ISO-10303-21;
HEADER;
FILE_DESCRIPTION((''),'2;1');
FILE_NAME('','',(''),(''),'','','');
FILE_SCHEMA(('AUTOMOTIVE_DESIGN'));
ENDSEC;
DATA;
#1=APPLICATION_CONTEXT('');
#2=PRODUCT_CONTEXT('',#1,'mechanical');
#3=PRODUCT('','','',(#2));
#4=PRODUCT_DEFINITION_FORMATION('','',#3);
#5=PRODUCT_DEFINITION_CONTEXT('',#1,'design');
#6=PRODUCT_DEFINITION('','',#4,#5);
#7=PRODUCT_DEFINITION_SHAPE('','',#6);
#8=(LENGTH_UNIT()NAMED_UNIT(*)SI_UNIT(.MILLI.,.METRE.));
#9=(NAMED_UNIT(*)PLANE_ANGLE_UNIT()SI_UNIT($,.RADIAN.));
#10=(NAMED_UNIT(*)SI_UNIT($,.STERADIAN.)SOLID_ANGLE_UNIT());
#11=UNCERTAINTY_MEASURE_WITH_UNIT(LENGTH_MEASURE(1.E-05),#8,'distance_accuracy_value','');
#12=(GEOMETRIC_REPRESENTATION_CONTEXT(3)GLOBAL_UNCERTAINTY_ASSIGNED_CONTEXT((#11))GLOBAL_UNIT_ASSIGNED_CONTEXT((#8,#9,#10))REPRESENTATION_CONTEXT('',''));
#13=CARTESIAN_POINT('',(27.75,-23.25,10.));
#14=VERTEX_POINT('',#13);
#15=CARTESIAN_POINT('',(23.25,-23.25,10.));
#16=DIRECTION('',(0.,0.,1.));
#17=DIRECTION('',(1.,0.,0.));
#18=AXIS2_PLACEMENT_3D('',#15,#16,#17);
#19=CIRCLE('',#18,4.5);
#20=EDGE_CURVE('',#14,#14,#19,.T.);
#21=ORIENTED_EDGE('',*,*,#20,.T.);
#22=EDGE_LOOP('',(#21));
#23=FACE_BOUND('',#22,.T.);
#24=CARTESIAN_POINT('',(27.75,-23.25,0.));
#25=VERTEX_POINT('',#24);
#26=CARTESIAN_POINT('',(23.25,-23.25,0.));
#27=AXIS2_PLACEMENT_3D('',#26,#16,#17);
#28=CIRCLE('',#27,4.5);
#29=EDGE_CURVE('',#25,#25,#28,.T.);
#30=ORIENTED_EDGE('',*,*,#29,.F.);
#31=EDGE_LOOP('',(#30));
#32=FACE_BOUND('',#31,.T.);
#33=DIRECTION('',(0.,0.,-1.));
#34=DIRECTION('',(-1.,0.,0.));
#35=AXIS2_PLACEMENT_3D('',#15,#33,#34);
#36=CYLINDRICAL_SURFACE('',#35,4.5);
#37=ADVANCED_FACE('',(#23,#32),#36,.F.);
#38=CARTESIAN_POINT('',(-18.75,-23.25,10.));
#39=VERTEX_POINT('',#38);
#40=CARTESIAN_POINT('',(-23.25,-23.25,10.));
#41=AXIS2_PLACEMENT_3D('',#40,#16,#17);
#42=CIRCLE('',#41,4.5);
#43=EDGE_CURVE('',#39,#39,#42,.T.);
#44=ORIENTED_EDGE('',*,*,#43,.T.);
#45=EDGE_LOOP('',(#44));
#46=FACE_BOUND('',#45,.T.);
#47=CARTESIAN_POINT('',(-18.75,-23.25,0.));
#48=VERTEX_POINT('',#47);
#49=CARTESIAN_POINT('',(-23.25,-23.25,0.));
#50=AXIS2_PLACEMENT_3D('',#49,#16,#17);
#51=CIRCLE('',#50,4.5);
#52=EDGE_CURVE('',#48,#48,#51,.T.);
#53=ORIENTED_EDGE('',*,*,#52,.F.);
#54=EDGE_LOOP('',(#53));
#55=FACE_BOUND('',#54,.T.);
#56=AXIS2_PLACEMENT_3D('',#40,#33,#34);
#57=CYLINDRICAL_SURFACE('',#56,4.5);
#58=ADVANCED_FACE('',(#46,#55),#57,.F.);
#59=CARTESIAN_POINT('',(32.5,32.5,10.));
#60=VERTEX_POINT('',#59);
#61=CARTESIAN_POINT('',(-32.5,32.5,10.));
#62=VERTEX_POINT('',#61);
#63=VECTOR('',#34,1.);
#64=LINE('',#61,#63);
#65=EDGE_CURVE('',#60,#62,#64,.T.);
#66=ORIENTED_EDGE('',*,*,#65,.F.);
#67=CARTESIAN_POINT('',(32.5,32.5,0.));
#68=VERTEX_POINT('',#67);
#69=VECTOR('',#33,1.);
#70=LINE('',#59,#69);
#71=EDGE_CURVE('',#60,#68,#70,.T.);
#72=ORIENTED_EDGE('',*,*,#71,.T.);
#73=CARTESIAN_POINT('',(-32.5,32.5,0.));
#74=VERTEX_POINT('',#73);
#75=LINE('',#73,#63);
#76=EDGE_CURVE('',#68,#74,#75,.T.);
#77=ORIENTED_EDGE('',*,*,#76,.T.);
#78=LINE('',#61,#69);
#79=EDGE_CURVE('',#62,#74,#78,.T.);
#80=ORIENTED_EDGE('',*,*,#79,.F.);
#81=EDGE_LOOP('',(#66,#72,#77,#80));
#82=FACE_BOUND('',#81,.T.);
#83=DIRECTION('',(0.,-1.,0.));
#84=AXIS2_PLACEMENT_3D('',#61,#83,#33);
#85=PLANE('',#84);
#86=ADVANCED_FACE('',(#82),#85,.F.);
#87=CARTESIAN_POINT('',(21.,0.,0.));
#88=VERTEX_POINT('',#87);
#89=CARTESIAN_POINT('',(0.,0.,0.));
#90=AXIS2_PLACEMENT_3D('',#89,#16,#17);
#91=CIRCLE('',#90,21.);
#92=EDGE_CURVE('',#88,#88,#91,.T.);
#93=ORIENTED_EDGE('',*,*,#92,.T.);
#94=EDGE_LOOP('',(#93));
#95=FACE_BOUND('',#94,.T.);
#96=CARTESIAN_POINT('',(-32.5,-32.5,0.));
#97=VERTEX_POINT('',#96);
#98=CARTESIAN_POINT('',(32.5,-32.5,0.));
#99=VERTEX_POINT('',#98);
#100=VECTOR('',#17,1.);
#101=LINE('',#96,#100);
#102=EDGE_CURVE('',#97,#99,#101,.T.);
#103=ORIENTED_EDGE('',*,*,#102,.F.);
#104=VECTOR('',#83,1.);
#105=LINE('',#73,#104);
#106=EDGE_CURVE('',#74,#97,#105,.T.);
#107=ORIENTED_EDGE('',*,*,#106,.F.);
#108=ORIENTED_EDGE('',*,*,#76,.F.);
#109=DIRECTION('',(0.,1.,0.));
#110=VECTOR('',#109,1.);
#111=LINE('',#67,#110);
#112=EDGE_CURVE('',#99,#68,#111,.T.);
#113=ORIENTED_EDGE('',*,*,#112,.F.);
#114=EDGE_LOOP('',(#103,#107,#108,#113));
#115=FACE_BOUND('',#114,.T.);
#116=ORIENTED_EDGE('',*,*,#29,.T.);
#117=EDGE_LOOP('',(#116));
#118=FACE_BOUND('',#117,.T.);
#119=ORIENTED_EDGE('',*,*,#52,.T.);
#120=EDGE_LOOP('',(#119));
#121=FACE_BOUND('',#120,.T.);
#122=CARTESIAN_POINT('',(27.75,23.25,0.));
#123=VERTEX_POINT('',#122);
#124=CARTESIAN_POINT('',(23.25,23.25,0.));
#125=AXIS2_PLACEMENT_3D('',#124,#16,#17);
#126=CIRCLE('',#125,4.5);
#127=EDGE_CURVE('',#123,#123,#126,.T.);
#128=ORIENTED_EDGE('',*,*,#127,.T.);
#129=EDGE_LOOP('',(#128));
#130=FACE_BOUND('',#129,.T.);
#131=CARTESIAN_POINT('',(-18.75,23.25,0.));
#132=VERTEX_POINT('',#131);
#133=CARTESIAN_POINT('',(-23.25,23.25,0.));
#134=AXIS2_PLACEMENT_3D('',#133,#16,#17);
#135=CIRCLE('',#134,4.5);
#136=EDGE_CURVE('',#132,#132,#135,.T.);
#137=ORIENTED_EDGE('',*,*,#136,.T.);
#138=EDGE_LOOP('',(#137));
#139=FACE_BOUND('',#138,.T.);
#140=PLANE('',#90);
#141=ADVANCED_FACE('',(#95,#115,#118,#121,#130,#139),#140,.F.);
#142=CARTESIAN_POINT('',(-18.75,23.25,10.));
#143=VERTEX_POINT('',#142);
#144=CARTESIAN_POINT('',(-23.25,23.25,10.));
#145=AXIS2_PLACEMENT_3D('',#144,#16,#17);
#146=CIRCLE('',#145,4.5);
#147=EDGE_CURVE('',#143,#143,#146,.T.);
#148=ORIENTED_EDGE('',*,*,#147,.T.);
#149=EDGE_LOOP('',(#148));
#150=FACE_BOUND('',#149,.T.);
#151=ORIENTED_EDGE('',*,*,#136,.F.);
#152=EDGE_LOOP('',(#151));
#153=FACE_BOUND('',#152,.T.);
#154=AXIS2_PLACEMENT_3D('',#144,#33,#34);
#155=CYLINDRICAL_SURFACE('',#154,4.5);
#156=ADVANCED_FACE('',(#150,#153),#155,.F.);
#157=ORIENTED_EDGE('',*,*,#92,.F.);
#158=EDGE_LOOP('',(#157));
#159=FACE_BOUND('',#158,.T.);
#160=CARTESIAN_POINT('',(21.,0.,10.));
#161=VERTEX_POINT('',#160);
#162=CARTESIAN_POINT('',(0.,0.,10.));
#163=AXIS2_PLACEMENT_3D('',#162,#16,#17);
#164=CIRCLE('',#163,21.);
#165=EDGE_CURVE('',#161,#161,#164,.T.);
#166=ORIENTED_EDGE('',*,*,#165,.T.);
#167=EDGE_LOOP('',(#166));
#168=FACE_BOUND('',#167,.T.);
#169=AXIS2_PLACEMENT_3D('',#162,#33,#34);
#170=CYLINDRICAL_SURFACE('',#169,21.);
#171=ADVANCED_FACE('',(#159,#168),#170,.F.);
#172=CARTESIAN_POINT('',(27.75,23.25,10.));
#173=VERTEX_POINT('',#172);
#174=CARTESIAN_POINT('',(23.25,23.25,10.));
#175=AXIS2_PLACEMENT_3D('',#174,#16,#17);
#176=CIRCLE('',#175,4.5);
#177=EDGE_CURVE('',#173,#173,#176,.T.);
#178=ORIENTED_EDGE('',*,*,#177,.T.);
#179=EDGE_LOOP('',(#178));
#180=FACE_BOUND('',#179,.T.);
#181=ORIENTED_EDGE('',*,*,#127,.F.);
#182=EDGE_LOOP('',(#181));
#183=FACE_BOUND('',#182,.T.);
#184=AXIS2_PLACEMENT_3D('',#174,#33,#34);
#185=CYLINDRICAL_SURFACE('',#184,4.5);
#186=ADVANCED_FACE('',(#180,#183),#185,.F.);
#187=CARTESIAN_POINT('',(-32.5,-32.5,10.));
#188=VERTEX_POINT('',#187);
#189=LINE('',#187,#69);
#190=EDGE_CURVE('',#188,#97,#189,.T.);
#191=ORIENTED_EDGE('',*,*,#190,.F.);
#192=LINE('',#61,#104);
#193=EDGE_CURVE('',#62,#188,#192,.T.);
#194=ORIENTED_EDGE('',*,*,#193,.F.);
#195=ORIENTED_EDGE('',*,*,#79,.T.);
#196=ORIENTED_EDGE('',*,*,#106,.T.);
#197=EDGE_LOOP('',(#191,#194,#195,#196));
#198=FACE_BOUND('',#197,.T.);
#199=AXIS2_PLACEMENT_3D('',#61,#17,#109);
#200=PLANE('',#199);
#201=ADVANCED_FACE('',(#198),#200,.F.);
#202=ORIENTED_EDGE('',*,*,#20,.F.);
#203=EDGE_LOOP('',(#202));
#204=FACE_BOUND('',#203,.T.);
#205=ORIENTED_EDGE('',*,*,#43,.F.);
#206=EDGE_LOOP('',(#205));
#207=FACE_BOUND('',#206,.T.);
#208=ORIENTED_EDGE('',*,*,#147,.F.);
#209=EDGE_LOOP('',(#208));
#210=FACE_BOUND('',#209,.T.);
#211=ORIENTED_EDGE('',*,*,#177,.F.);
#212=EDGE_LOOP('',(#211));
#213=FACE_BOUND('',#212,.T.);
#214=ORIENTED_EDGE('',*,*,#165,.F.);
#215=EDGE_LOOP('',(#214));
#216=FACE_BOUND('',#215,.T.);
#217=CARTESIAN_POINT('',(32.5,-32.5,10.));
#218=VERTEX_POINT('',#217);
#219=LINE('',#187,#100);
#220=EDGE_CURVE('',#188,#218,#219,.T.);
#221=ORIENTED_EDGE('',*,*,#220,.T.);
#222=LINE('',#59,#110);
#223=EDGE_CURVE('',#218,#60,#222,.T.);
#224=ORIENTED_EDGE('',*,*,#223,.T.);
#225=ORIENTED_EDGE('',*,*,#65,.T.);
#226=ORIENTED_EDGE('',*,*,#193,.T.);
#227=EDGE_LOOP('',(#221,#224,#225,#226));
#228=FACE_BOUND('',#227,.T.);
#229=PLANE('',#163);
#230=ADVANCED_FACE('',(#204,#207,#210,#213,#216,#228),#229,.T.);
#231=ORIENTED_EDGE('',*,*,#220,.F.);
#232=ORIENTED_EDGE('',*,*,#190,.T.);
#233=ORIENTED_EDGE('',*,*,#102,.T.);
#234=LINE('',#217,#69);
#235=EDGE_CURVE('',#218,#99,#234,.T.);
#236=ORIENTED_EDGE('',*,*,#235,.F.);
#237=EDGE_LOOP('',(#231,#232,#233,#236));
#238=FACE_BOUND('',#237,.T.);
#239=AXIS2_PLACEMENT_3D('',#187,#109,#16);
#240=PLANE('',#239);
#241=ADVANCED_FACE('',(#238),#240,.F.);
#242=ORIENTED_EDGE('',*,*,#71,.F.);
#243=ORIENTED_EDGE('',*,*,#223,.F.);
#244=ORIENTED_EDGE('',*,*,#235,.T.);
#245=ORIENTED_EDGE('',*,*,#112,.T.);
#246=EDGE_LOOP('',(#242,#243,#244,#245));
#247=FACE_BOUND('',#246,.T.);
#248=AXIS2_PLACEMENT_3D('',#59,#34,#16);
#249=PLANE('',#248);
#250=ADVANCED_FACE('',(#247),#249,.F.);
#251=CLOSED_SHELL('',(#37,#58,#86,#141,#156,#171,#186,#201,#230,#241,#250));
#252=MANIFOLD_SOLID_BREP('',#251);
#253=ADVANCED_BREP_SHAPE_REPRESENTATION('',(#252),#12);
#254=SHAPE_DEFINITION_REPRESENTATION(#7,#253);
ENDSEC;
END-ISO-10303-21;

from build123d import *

# Parameters (mm, degrees)
SZKIC1_W                    = 65
SZKIC1_H                    = 65
SZKIC1_R                    = 21
SZKIC1_R_2                  = 4.5
DODANIE_WYCI_GNI_CIE1_DEPTH = 10


with BuildPart() as part:
    # Szkic1 → Dodanie-wyciągnięcie1 (new body)
    with BuildSketch(Plane.XY):
        Rectangle(SZKIC1_W, SZKIC1_H)
        Circle(SZKIC1_R, mode=Mode.SUBTRACT)
        with Locations((-23.25, 23.25)):
            Circle(SZKIC1_R_2, mode=Mode.SUBTRACT)
        with Locations((23.25, 23.25)):
            Circle(SZKIC1_R_2, mode=Mode.SUBTRACT)
        with Locations((23.25, -23.25)):
            Circle(SZKIC1_R_2, mode=Mode.SUBTRACT)
        with Locations((-23.25, -23.25)):
            Circle(SZKIC1_R_2, mode=Mode.SUBTRACT)
    extrude(amount=DODANIE_WYCI_GNI_CIE1_DEPTH)


solid = part.part
